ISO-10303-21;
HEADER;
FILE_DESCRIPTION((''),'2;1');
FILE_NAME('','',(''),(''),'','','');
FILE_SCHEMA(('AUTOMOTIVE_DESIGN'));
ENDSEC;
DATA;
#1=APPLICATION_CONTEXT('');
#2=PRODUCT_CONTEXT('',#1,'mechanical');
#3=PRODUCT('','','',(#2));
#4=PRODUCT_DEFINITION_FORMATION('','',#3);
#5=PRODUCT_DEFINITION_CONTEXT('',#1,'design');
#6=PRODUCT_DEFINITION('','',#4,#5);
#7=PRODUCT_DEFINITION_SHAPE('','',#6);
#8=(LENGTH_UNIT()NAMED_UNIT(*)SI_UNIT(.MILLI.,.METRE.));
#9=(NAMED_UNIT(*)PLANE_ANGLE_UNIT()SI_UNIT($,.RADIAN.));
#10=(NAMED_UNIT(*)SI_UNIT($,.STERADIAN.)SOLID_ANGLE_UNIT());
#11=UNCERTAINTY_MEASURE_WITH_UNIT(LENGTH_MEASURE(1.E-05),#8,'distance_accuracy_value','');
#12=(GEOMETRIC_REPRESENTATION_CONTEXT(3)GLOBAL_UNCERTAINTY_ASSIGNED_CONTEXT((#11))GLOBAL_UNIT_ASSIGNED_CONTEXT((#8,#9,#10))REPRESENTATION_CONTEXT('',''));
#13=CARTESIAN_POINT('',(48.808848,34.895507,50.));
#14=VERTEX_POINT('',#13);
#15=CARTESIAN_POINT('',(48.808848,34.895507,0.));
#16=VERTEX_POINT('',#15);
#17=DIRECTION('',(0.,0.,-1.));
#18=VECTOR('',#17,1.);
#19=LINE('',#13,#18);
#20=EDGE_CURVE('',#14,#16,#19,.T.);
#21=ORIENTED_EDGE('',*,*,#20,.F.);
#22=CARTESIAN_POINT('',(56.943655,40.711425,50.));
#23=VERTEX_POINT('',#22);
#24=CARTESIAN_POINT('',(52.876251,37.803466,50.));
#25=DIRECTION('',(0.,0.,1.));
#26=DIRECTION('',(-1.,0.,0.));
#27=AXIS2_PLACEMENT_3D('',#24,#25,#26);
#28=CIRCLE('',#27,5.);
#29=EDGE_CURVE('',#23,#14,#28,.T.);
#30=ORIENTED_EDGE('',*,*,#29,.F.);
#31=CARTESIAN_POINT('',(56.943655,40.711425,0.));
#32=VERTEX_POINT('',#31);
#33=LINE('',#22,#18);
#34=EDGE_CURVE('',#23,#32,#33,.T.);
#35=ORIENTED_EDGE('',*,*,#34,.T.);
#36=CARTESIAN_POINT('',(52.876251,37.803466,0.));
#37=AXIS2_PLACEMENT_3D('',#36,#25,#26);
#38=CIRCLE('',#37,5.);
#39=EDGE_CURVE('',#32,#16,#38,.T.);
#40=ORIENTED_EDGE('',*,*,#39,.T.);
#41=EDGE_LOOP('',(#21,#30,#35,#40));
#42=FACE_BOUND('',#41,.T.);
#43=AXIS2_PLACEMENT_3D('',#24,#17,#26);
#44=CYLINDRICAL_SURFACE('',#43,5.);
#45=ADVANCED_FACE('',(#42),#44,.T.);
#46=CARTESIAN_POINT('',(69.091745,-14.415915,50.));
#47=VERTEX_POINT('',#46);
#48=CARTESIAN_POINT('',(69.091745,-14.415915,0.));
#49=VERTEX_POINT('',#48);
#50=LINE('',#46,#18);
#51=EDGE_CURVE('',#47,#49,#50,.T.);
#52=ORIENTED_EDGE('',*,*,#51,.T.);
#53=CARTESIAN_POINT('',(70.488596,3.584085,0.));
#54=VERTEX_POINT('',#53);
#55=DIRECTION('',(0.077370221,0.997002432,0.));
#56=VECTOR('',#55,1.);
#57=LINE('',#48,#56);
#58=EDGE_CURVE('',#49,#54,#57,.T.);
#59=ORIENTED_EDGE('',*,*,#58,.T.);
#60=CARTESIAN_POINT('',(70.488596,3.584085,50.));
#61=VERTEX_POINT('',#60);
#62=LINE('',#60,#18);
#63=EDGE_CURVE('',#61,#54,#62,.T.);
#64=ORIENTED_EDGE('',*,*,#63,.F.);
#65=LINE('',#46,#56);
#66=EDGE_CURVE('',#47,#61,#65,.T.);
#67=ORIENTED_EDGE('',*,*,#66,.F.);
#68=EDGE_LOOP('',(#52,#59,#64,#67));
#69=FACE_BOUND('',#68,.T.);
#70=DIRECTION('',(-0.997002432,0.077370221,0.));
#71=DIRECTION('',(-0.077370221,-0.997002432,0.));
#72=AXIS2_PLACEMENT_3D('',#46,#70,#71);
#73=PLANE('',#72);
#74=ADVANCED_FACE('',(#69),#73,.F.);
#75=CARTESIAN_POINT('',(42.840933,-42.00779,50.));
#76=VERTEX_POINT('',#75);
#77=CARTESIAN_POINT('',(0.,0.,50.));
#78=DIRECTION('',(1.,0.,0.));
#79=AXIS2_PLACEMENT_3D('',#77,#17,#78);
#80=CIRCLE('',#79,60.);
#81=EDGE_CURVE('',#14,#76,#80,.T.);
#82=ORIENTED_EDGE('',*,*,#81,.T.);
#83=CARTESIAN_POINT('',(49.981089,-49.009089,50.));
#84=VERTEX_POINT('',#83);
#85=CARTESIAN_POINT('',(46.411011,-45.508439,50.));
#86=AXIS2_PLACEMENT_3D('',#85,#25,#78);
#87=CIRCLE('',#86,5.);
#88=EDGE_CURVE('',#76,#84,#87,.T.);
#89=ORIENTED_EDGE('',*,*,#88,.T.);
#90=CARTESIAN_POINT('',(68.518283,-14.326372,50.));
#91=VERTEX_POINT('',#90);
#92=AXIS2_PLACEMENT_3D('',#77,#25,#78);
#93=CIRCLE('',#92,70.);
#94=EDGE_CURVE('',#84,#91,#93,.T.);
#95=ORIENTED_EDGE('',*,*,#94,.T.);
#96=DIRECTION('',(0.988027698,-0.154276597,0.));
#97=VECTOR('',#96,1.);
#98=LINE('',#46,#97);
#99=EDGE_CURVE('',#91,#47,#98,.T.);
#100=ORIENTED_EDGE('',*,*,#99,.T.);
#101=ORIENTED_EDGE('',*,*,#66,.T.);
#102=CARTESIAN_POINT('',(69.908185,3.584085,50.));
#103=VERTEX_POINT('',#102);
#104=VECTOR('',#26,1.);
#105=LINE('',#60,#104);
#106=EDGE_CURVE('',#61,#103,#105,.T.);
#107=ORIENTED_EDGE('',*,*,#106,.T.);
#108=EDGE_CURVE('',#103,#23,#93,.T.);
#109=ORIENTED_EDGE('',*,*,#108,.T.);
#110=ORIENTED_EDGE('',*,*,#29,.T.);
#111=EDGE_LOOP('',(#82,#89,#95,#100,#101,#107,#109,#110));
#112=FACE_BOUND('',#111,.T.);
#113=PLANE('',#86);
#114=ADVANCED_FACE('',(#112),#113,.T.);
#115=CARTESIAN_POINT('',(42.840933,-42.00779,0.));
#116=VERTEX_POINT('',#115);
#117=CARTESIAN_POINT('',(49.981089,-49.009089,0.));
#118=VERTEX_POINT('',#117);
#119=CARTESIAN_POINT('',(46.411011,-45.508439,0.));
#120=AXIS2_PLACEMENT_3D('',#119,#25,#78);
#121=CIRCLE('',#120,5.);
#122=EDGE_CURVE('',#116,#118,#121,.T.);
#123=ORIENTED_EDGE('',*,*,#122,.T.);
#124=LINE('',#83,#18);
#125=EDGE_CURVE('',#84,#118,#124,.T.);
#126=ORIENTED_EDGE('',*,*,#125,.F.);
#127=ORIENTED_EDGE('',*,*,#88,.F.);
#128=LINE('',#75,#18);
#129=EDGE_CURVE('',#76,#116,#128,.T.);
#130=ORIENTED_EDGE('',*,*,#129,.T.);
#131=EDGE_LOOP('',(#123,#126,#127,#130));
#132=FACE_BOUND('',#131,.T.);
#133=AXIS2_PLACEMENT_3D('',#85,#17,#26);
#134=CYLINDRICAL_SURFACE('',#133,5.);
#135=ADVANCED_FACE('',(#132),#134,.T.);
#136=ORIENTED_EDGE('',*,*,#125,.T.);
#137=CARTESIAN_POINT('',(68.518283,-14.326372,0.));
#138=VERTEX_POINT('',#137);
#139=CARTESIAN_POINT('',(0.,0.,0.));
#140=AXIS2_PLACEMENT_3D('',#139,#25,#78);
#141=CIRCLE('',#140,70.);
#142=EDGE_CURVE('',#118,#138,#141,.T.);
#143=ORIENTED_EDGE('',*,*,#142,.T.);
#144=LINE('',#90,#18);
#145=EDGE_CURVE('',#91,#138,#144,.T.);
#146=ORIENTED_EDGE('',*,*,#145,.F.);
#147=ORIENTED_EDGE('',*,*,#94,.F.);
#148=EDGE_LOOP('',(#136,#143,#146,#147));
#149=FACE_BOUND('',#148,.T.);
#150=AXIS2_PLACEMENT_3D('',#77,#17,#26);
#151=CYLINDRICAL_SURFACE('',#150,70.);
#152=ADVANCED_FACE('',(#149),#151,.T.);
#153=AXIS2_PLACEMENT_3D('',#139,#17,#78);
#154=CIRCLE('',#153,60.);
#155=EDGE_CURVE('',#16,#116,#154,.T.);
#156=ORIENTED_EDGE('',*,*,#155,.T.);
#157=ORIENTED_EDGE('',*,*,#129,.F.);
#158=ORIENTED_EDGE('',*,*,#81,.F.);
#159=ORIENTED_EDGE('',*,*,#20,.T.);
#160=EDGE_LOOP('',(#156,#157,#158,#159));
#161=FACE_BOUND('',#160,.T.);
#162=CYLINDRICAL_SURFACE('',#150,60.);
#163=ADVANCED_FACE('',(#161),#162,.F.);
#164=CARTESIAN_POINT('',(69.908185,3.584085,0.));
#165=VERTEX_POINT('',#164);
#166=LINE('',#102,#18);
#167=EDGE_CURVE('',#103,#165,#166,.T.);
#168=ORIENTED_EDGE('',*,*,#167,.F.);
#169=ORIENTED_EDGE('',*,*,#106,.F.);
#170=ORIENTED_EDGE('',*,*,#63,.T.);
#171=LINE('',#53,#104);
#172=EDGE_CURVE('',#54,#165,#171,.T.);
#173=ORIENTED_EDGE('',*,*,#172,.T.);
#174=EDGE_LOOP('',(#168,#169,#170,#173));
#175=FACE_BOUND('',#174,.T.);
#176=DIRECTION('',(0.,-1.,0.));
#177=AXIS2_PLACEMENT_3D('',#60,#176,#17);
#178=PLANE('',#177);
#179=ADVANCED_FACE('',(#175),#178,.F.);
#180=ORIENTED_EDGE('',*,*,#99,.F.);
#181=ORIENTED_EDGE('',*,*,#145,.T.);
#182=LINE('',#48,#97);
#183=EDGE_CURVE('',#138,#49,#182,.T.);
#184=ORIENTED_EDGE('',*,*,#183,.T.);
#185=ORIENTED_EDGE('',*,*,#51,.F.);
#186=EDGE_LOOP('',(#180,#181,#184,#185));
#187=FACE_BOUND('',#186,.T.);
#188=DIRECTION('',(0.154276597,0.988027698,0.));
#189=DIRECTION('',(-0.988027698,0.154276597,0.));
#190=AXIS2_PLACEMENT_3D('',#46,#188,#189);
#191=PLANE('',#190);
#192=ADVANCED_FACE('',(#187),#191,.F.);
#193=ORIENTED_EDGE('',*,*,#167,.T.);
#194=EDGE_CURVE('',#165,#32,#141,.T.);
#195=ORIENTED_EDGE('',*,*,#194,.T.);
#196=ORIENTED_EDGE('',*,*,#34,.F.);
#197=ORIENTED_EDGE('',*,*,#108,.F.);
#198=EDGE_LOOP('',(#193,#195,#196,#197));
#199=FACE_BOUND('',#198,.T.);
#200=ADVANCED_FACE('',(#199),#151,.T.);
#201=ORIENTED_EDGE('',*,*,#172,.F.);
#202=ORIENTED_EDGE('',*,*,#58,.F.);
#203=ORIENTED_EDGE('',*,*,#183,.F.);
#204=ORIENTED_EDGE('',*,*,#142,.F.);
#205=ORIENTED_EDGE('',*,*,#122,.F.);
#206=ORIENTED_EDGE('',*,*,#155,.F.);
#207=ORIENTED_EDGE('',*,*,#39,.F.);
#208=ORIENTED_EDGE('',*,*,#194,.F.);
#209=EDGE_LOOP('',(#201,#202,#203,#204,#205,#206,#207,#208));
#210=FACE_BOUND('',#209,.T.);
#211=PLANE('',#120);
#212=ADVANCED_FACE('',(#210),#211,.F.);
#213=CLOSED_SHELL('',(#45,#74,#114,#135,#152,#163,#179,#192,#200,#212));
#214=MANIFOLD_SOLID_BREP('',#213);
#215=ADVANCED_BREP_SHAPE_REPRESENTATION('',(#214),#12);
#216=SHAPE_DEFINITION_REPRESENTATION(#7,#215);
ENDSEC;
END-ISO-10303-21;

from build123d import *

# Parameters (mm, degrees)
BOSS_EXTRU_1_DEPTH = 50


with BuildPart() as part:
    # Esquisse1 → Boss.-Extru.1 (new body)
    with BuildSketch(Plane.XY):
        with BuildLine():
            Line((69.091744654, -14.415915473), (70.48859579, 3.584084527))
            Line((70.48859579, 3.584084527), (69.908185058, 3.584084527))
            ThreePointArc((69.908185058, 3.584084527), (66.086740028, 23.076888708), (56.943655444, 40.711424744))
            ThreePointArc((56.943655444, 40.711424744), (49.968292573, 41.870869794), (48.808847523, 34.895506923))
            ThreePointArc((48.808847523, 34.895506923), (59.820145904, -4.642213263), (42.84093319, -42.007790271))
            ThreePointArc((42.84093319, -42.007790271), (42.910361767, -49.078517226), (49.981088722, -49.009088649))
            ThreePointArc((49.981088722, -49.009088649), (61.735305745, -32.996242584), (68.518282775, -14.32637168))
            Line((68.518282775, -14.32637168), (69.091744654, -14.415915473))
        make_face()
    extrude(amount=BOSS_EXTRU_1_DEPTH)


solid = part.part
